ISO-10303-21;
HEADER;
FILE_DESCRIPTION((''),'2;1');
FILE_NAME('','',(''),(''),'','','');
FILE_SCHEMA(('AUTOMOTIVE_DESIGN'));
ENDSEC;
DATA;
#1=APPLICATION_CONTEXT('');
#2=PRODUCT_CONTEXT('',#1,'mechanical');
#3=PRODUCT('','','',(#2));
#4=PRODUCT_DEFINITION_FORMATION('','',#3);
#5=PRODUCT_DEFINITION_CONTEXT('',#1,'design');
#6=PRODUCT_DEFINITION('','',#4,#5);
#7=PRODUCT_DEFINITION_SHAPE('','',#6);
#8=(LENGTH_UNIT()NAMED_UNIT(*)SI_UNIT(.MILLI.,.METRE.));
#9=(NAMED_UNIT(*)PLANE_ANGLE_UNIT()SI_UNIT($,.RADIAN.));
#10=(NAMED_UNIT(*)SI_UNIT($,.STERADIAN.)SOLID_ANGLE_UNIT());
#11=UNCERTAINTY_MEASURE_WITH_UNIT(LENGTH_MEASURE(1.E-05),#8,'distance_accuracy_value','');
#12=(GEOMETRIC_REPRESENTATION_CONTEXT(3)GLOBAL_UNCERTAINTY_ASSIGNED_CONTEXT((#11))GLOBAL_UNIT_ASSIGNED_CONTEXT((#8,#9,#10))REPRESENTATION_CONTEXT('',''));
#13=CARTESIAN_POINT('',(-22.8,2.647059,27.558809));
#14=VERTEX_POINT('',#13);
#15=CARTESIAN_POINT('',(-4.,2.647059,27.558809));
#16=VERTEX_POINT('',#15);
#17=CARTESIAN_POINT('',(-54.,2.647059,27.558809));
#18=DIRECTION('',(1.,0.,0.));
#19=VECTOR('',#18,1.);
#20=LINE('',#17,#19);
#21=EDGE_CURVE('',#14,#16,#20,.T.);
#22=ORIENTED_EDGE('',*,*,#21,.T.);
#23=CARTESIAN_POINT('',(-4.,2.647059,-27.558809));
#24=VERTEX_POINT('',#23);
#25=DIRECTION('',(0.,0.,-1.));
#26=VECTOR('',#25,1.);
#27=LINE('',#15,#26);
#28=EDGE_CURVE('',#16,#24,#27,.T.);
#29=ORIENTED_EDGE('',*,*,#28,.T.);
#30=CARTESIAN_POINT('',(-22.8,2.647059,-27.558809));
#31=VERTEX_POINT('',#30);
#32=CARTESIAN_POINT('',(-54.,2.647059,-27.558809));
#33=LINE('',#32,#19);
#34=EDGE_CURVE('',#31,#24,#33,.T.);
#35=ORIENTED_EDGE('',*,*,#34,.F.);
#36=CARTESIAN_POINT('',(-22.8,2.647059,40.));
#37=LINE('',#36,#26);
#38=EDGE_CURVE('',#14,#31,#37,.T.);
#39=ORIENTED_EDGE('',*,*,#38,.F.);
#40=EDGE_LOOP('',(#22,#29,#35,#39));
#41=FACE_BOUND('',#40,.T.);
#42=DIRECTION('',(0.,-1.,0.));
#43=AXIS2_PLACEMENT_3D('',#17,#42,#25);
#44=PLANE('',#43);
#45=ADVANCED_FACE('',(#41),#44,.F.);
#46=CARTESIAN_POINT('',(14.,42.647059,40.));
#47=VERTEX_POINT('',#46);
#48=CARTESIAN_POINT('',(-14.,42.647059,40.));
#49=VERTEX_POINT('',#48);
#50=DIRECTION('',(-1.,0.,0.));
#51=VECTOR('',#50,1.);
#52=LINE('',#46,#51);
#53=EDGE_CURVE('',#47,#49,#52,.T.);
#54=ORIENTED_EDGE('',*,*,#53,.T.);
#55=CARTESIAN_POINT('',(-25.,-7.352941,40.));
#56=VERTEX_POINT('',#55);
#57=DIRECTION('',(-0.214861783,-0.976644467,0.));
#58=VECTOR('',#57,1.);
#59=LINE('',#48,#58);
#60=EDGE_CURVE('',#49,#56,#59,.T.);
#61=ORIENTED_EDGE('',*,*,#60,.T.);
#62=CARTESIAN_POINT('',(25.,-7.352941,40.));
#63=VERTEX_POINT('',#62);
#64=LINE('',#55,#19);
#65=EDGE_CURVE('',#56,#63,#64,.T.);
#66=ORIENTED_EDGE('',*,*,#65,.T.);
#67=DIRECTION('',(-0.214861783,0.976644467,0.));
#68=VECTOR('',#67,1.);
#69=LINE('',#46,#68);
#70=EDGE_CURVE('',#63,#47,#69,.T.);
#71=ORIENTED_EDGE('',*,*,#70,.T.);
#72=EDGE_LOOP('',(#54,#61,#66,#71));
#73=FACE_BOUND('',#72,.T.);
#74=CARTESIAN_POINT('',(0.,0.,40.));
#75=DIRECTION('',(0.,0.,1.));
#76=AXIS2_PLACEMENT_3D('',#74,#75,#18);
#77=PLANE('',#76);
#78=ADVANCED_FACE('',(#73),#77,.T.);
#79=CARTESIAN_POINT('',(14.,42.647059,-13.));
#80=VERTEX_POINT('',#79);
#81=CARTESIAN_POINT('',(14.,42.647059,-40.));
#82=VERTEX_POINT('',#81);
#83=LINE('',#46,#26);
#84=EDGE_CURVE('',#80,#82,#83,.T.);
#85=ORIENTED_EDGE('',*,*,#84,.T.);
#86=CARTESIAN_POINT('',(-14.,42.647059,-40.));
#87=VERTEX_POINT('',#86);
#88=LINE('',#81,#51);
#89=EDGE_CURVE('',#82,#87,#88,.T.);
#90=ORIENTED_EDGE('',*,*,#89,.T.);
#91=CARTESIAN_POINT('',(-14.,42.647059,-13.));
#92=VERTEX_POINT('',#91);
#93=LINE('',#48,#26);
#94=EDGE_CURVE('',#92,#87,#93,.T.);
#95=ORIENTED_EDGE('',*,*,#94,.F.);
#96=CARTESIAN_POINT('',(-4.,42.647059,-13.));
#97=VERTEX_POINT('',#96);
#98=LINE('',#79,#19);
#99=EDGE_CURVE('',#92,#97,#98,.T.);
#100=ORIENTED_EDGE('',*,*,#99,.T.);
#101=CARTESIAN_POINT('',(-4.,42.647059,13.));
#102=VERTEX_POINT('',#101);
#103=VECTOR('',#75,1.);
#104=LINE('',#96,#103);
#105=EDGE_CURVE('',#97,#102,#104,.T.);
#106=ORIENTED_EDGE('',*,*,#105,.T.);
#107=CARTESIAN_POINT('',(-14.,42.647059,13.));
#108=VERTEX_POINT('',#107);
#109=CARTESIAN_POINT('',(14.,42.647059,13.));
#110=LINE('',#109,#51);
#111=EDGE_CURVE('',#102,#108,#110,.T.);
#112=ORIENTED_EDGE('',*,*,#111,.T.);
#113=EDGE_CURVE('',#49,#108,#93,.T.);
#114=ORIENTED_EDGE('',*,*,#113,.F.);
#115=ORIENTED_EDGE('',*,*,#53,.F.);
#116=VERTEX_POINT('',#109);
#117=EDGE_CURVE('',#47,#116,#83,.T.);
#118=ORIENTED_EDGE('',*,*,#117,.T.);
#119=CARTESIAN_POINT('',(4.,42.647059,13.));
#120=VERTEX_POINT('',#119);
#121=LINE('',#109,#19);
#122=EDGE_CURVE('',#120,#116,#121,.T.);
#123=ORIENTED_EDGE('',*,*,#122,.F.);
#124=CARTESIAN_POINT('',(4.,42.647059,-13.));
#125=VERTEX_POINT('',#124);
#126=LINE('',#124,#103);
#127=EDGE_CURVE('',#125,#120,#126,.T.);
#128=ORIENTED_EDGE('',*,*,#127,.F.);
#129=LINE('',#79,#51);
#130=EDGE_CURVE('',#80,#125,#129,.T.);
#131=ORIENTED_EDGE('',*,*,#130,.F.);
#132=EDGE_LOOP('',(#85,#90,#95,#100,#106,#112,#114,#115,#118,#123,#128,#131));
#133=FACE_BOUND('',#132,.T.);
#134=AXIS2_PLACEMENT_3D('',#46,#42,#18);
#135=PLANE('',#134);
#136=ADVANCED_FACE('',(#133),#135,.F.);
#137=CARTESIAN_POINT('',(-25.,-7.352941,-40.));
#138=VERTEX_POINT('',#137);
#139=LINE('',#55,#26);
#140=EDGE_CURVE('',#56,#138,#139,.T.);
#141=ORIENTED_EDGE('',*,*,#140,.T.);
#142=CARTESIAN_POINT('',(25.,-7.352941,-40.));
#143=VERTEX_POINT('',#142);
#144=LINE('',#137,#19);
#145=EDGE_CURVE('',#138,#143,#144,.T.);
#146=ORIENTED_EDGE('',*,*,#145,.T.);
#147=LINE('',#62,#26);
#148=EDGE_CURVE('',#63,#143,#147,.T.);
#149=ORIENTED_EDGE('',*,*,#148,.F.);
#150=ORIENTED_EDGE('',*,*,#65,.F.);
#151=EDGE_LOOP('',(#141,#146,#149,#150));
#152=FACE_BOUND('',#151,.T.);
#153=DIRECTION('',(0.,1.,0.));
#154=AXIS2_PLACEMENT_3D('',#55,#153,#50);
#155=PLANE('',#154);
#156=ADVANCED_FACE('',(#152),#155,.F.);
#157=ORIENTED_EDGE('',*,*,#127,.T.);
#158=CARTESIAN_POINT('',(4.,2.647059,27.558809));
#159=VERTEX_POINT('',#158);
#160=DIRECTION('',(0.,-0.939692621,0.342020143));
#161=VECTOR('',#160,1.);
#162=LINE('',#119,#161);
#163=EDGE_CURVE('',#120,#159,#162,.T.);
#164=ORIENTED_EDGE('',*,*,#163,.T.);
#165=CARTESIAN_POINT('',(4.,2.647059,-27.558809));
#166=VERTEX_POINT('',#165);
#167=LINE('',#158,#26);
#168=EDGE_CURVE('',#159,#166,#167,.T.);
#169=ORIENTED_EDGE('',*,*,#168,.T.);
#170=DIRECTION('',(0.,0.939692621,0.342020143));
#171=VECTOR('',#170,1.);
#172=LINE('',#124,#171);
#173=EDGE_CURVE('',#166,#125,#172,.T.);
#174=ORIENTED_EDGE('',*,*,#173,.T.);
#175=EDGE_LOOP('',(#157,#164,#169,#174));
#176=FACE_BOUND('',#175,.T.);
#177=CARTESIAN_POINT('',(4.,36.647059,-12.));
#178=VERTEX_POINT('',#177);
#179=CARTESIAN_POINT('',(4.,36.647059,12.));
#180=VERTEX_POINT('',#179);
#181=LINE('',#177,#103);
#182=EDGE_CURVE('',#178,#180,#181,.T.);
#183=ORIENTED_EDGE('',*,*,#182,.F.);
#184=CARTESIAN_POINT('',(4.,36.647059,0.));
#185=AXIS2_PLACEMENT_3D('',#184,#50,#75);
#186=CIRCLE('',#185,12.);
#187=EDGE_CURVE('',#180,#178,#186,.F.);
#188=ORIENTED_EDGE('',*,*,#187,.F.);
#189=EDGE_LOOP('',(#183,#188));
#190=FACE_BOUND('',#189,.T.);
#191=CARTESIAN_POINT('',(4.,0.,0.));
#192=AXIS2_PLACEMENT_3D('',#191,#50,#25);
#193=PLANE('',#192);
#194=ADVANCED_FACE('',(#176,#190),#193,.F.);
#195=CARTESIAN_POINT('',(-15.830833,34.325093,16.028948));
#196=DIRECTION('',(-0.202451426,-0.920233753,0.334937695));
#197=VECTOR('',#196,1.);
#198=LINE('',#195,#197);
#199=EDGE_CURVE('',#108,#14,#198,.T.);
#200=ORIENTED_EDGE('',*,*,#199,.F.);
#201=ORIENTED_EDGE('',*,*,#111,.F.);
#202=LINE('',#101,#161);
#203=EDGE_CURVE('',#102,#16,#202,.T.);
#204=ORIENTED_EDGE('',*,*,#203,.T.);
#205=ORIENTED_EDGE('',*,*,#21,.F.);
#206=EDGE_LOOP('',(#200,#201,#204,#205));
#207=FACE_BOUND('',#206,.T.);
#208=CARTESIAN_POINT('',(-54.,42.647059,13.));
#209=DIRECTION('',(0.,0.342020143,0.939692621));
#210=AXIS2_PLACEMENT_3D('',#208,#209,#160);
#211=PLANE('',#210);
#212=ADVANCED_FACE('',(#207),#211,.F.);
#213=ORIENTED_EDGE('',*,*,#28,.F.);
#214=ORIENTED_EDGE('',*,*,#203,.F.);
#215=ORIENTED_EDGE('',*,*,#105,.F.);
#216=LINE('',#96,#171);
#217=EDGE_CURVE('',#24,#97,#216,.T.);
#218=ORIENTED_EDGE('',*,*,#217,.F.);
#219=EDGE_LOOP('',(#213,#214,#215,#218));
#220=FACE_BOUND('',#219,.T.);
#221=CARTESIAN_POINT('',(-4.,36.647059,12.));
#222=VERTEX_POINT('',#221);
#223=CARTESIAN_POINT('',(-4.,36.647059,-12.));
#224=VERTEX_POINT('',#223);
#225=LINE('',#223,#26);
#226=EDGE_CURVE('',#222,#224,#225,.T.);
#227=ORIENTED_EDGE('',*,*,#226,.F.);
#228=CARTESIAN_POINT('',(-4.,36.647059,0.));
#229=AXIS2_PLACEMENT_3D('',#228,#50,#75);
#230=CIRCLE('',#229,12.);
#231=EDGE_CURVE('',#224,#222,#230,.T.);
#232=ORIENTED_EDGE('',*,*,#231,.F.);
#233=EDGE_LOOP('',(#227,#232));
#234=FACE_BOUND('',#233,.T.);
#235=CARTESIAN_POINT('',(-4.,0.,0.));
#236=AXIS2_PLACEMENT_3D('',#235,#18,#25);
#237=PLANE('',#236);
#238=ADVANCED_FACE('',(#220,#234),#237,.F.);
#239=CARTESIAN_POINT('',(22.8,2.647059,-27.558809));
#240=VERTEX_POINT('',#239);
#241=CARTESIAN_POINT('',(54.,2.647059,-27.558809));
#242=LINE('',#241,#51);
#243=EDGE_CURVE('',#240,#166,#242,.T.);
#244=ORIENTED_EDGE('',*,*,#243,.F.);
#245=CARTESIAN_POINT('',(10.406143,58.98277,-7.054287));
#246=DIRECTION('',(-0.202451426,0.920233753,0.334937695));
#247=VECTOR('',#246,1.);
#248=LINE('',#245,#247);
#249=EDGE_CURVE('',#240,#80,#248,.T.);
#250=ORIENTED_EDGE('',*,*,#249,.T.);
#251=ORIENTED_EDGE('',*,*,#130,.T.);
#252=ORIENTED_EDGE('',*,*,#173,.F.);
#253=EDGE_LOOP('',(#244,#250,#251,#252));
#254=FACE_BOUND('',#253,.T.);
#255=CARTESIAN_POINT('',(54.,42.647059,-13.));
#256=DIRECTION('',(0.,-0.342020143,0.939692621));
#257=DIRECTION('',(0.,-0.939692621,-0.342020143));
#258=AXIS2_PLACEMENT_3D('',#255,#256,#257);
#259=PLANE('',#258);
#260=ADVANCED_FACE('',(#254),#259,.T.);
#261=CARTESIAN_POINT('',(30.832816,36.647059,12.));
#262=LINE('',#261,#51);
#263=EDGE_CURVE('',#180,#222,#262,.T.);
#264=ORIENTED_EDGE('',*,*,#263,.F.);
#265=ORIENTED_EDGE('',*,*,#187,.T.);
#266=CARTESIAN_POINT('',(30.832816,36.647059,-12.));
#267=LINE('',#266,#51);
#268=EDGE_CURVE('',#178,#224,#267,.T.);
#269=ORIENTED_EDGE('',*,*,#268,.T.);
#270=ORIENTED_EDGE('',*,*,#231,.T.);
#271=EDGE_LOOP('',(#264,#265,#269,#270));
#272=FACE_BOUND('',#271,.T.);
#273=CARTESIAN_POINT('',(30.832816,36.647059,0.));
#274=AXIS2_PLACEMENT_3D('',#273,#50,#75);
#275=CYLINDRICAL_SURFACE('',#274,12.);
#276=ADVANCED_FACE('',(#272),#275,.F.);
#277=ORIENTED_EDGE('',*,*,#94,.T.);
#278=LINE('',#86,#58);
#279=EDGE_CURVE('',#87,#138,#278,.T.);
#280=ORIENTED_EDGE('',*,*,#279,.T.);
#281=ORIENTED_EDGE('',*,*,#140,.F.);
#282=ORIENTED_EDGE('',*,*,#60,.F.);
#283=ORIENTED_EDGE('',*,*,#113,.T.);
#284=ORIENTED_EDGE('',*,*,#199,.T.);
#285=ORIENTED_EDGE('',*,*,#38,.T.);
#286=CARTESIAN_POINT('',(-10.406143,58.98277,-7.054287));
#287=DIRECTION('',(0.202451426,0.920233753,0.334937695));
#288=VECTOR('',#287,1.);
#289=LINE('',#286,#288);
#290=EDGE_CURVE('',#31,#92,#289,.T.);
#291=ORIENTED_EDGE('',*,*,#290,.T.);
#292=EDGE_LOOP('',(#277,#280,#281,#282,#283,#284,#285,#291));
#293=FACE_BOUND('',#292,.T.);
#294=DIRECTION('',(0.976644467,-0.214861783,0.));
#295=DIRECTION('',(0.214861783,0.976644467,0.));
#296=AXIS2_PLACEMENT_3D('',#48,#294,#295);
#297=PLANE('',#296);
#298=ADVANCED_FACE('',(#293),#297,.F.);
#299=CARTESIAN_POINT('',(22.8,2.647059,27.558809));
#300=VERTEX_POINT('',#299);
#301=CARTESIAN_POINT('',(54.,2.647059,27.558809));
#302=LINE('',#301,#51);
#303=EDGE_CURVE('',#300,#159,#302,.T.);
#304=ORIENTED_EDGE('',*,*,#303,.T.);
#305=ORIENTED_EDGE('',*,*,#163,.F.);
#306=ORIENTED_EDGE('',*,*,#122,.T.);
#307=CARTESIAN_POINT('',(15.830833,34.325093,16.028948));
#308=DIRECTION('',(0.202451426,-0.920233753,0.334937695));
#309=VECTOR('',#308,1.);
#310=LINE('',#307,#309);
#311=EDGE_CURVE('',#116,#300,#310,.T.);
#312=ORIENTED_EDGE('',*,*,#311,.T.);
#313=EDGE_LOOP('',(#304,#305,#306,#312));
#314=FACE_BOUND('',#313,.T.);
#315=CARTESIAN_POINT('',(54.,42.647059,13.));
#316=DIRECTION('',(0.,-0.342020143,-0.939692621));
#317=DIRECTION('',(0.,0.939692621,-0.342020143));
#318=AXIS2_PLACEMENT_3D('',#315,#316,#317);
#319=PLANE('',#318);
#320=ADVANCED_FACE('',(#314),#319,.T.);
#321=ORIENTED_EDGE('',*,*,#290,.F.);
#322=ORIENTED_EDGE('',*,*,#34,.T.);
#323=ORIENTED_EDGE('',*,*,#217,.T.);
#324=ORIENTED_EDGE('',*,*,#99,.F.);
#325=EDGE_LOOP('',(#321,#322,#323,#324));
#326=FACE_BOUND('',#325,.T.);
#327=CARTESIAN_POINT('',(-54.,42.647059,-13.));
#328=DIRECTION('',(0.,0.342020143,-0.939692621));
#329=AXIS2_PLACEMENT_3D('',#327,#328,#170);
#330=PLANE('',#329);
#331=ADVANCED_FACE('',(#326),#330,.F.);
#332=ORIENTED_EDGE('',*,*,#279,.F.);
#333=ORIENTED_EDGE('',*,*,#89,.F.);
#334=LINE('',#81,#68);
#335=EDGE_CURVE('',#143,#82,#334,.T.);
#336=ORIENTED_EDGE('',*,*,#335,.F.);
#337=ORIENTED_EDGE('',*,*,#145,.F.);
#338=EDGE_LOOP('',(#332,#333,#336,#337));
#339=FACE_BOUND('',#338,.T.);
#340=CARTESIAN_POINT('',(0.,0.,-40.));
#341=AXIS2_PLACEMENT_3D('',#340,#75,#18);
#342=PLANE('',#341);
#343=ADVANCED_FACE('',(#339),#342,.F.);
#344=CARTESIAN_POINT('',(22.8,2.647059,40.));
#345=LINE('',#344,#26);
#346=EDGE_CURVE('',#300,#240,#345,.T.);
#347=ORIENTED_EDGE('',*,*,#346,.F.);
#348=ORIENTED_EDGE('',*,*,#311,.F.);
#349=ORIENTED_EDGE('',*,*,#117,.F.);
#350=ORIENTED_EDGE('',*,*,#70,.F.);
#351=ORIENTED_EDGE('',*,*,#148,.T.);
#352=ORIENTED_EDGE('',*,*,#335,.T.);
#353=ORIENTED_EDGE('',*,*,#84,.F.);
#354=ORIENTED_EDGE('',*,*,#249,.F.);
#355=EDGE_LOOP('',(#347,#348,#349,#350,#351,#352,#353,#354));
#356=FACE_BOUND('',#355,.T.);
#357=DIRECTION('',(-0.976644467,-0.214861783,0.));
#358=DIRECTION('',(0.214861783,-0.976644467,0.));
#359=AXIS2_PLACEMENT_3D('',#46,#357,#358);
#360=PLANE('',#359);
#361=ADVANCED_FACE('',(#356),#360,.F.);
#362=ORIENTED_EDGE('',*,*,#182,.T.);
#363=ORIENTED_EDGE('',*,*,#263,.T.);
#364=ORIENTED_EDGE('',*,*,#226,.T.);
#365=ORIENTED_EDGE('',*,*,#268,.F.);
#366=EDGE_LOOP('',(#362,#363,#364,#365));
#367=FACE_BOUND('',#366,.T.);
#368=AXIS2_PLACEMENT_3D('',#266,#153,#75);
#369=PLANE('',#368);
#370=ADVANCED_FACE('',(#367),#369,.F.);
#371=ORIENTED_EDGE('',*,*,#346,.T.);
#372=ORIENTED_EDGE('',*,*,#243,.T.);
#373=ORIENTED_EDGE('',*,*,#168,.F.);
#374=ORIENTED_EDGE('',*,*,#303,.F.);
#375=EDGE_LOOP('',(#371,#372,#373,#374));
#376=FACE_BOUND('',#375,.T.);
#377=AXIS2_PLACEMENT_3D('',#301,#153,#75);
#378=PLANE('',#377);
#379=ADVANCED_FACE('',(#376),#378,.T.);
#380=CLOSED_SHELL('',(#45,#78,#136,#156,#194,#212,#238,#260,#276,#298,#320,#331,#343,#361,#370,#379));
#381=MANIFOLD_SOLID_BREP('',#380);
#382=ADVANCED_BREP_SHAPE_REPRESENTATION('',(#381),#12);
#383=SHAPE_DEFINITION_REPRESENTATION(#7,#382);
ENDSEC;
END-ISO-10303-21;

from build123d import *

# Parameters (mm, degrees)
EXTRUDE_1_DEPTH     = 40
CUT_EXTRUDE_START   = -4
CUT_EXTRUDE_2_DEPTH = 50
CUT_EXTRUDE_3_DEPTH = 8


with BuildPart() as part:
    # 草图3 → 凸台-拉伸1 (new, symmetric)
    with BuildSketch(Plane.XY):
        Polygon((14, 42.647058824), (-14, 42.647058824), (-25, -7.352941176), (25, -7.352941176), align=None)
    extrude(amount=EXTRUDE_1_DEPTH, both=True)

    # 草图4 → 切除-拉伸2 (cut)
    with BuildSketch(Plane(origin=(0, 0, 0), x_dir=(0, 0, -1), z_dir=(1, 0, 0)).offset(CUT_EXTRUDE_START)):
        Polygon((13, 42.647058824), (-13, 42.647058824), (-27.558809371, 2.647058824), (27.558809371, 2.647058824), align=None)
    cut_extrude_2 = extrude(amount=-CUT_EXTRUDE_2_DEPTH, mode=Mode.SUBTRACT)

    # 镜向1: 切除-拉伸2 across plane
    add(cut_extrude_2.mirror(Plane(origin=(0, 0, 0), x_dir=(0, 0, 1), z_dir=(1, 0, 0))), mode=Mode.SUBTRACT)

    # 草图6 → 切除-拉伸3 (cut)
    with BuildSketch(Plane.ZY.offset(4)):
        with BuildLine():
            Line((-12, 36.647058824), (12, 36.647058824))
            ThreePointArc((12, 36.647058824), (0, 24.647058824), (-12, 36.647058824))
        make_face()
    extrude(amount=-CUT_EXTRUDE_3_DEPTH, mode=Mode.SUBTRACT)


solid = part.part
